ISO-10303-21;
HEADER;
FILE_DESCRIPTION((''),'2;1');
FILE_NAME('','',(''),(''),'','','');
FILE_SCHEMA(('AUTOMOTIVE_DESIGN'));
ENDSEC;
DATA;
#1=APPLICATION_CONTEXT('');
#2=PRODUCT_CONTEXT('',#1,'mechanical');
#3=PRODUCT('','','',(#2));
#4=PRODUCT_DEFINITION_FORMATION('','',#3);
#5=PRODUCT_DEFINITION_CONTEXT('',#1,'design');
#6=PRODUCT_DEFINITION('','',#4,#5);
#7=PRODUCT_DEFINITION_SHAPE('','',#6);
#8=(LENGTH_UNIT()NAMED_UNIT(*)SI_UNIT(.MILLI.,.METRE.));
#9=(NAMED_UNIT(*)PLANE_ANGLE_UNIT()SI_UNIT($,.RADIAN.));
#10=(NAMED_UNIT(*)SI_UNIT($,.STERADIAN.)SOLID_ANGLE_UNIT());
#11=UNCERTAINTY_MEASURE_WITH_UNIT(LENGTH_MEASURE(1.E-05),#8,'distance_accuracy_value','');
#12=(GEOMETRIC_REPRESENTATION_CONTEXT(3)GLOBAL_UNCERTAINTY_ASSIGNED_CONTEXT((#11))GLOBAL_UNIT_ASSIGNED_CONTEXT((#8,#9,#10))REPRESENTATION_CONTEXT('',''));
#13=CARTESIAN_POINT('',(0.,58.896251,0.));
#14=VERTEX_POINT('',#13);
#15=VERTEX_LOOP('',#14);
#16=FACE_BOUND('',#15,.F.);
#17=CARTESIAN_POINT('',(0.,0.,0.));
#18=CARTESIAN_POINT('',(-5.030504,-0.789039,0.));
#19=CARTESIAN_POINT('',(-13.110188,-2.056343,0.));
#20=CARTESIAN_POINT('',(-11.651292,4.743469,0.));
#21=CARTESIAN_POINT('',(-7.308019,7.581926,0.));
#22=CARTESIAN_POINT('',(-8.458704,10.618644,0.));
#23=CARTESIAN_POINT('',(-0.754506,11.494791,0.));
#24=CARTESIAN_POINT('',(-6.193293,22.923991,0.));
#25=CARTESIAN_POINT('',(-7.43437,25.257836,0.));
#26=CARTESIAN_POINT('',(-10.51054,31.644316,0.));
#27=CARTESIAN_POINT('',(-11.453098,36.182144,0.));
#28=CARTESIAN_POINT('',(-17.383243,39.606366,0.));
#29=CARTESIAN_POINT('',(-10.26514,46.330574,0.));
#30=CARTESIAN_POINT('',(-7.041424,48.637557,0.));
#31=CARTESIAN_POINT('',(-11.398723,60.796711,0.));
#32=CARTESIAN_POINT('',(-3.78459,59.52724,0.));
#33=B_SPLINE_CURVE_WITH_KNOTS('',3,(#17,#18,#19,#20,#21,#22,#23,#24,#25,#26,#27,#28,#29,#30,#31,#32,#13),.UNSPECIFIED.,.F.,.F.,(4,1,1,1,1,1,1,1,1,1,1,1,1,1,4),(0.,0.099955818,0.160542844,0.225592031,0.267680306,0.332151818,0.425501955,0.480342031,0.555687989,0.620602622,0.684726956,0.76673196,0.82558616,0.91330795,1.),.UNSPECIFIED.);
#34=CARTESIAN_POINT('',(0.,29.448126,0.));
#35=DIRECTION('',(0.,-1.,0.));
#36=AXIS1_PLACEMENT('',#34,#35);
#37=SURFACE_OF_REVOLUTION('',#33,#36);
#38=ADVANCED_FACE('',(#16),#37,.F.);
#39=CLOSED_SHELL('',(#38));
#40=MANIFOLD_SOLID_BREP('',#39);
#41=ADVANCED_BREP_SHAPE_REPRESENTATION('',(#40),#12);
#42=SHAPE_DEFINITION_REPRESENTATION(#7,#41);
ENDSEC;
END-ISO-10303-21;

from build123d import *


with BuildPart() as f1:
    # F0 (on Top) → F1 (revolve)
    with BuildSketch(Plane.XY):
        with BuildLine():
            add(Edge.make_bspline(
                [(0, 0), (-5.0305041062, -0.7890385226), (-13.1101882337, -2.0563433279), (-11.6512918386, 4.7434688617), (-7.3080193726, 7.5819260514), (-8.4587040323, 10.618644185), (-0.7545058929, 11.4947914143), (-6.1932927894, 22.923990877), (-7.4343700814, 25.2578362308), (-10.5105404799, 31.6443155125), (-11.4530982827, 36.1821443521), (-17.383243202, 39.60636638), (-10.265140022, 46.3305740013), (-7.0414243719, 48.6375573136), (-11.3987225872, 60.7967114301), (-3.784589579, 59.527239504), (0, 58.8962510228)],
                knots=[0, 0, 0, 0, 0.0999558182, 0.1605428444, 0.2255920307, 0.267680306, 0.3321518184, 0.4255019554, 0.4803420309, 0.555687989, 0.6206026218, 0.6847269556, 0.7667319597, 0.8255861602, 0.9133079498, 1, 1, 1, 1], degree=3))
            Line((0, 0), (0, 58.8962510228))
        make_face()
    revolve(axis=Axis((0, 29.4481255114, 0), (0, -1, 0)))


solid = f1.part
